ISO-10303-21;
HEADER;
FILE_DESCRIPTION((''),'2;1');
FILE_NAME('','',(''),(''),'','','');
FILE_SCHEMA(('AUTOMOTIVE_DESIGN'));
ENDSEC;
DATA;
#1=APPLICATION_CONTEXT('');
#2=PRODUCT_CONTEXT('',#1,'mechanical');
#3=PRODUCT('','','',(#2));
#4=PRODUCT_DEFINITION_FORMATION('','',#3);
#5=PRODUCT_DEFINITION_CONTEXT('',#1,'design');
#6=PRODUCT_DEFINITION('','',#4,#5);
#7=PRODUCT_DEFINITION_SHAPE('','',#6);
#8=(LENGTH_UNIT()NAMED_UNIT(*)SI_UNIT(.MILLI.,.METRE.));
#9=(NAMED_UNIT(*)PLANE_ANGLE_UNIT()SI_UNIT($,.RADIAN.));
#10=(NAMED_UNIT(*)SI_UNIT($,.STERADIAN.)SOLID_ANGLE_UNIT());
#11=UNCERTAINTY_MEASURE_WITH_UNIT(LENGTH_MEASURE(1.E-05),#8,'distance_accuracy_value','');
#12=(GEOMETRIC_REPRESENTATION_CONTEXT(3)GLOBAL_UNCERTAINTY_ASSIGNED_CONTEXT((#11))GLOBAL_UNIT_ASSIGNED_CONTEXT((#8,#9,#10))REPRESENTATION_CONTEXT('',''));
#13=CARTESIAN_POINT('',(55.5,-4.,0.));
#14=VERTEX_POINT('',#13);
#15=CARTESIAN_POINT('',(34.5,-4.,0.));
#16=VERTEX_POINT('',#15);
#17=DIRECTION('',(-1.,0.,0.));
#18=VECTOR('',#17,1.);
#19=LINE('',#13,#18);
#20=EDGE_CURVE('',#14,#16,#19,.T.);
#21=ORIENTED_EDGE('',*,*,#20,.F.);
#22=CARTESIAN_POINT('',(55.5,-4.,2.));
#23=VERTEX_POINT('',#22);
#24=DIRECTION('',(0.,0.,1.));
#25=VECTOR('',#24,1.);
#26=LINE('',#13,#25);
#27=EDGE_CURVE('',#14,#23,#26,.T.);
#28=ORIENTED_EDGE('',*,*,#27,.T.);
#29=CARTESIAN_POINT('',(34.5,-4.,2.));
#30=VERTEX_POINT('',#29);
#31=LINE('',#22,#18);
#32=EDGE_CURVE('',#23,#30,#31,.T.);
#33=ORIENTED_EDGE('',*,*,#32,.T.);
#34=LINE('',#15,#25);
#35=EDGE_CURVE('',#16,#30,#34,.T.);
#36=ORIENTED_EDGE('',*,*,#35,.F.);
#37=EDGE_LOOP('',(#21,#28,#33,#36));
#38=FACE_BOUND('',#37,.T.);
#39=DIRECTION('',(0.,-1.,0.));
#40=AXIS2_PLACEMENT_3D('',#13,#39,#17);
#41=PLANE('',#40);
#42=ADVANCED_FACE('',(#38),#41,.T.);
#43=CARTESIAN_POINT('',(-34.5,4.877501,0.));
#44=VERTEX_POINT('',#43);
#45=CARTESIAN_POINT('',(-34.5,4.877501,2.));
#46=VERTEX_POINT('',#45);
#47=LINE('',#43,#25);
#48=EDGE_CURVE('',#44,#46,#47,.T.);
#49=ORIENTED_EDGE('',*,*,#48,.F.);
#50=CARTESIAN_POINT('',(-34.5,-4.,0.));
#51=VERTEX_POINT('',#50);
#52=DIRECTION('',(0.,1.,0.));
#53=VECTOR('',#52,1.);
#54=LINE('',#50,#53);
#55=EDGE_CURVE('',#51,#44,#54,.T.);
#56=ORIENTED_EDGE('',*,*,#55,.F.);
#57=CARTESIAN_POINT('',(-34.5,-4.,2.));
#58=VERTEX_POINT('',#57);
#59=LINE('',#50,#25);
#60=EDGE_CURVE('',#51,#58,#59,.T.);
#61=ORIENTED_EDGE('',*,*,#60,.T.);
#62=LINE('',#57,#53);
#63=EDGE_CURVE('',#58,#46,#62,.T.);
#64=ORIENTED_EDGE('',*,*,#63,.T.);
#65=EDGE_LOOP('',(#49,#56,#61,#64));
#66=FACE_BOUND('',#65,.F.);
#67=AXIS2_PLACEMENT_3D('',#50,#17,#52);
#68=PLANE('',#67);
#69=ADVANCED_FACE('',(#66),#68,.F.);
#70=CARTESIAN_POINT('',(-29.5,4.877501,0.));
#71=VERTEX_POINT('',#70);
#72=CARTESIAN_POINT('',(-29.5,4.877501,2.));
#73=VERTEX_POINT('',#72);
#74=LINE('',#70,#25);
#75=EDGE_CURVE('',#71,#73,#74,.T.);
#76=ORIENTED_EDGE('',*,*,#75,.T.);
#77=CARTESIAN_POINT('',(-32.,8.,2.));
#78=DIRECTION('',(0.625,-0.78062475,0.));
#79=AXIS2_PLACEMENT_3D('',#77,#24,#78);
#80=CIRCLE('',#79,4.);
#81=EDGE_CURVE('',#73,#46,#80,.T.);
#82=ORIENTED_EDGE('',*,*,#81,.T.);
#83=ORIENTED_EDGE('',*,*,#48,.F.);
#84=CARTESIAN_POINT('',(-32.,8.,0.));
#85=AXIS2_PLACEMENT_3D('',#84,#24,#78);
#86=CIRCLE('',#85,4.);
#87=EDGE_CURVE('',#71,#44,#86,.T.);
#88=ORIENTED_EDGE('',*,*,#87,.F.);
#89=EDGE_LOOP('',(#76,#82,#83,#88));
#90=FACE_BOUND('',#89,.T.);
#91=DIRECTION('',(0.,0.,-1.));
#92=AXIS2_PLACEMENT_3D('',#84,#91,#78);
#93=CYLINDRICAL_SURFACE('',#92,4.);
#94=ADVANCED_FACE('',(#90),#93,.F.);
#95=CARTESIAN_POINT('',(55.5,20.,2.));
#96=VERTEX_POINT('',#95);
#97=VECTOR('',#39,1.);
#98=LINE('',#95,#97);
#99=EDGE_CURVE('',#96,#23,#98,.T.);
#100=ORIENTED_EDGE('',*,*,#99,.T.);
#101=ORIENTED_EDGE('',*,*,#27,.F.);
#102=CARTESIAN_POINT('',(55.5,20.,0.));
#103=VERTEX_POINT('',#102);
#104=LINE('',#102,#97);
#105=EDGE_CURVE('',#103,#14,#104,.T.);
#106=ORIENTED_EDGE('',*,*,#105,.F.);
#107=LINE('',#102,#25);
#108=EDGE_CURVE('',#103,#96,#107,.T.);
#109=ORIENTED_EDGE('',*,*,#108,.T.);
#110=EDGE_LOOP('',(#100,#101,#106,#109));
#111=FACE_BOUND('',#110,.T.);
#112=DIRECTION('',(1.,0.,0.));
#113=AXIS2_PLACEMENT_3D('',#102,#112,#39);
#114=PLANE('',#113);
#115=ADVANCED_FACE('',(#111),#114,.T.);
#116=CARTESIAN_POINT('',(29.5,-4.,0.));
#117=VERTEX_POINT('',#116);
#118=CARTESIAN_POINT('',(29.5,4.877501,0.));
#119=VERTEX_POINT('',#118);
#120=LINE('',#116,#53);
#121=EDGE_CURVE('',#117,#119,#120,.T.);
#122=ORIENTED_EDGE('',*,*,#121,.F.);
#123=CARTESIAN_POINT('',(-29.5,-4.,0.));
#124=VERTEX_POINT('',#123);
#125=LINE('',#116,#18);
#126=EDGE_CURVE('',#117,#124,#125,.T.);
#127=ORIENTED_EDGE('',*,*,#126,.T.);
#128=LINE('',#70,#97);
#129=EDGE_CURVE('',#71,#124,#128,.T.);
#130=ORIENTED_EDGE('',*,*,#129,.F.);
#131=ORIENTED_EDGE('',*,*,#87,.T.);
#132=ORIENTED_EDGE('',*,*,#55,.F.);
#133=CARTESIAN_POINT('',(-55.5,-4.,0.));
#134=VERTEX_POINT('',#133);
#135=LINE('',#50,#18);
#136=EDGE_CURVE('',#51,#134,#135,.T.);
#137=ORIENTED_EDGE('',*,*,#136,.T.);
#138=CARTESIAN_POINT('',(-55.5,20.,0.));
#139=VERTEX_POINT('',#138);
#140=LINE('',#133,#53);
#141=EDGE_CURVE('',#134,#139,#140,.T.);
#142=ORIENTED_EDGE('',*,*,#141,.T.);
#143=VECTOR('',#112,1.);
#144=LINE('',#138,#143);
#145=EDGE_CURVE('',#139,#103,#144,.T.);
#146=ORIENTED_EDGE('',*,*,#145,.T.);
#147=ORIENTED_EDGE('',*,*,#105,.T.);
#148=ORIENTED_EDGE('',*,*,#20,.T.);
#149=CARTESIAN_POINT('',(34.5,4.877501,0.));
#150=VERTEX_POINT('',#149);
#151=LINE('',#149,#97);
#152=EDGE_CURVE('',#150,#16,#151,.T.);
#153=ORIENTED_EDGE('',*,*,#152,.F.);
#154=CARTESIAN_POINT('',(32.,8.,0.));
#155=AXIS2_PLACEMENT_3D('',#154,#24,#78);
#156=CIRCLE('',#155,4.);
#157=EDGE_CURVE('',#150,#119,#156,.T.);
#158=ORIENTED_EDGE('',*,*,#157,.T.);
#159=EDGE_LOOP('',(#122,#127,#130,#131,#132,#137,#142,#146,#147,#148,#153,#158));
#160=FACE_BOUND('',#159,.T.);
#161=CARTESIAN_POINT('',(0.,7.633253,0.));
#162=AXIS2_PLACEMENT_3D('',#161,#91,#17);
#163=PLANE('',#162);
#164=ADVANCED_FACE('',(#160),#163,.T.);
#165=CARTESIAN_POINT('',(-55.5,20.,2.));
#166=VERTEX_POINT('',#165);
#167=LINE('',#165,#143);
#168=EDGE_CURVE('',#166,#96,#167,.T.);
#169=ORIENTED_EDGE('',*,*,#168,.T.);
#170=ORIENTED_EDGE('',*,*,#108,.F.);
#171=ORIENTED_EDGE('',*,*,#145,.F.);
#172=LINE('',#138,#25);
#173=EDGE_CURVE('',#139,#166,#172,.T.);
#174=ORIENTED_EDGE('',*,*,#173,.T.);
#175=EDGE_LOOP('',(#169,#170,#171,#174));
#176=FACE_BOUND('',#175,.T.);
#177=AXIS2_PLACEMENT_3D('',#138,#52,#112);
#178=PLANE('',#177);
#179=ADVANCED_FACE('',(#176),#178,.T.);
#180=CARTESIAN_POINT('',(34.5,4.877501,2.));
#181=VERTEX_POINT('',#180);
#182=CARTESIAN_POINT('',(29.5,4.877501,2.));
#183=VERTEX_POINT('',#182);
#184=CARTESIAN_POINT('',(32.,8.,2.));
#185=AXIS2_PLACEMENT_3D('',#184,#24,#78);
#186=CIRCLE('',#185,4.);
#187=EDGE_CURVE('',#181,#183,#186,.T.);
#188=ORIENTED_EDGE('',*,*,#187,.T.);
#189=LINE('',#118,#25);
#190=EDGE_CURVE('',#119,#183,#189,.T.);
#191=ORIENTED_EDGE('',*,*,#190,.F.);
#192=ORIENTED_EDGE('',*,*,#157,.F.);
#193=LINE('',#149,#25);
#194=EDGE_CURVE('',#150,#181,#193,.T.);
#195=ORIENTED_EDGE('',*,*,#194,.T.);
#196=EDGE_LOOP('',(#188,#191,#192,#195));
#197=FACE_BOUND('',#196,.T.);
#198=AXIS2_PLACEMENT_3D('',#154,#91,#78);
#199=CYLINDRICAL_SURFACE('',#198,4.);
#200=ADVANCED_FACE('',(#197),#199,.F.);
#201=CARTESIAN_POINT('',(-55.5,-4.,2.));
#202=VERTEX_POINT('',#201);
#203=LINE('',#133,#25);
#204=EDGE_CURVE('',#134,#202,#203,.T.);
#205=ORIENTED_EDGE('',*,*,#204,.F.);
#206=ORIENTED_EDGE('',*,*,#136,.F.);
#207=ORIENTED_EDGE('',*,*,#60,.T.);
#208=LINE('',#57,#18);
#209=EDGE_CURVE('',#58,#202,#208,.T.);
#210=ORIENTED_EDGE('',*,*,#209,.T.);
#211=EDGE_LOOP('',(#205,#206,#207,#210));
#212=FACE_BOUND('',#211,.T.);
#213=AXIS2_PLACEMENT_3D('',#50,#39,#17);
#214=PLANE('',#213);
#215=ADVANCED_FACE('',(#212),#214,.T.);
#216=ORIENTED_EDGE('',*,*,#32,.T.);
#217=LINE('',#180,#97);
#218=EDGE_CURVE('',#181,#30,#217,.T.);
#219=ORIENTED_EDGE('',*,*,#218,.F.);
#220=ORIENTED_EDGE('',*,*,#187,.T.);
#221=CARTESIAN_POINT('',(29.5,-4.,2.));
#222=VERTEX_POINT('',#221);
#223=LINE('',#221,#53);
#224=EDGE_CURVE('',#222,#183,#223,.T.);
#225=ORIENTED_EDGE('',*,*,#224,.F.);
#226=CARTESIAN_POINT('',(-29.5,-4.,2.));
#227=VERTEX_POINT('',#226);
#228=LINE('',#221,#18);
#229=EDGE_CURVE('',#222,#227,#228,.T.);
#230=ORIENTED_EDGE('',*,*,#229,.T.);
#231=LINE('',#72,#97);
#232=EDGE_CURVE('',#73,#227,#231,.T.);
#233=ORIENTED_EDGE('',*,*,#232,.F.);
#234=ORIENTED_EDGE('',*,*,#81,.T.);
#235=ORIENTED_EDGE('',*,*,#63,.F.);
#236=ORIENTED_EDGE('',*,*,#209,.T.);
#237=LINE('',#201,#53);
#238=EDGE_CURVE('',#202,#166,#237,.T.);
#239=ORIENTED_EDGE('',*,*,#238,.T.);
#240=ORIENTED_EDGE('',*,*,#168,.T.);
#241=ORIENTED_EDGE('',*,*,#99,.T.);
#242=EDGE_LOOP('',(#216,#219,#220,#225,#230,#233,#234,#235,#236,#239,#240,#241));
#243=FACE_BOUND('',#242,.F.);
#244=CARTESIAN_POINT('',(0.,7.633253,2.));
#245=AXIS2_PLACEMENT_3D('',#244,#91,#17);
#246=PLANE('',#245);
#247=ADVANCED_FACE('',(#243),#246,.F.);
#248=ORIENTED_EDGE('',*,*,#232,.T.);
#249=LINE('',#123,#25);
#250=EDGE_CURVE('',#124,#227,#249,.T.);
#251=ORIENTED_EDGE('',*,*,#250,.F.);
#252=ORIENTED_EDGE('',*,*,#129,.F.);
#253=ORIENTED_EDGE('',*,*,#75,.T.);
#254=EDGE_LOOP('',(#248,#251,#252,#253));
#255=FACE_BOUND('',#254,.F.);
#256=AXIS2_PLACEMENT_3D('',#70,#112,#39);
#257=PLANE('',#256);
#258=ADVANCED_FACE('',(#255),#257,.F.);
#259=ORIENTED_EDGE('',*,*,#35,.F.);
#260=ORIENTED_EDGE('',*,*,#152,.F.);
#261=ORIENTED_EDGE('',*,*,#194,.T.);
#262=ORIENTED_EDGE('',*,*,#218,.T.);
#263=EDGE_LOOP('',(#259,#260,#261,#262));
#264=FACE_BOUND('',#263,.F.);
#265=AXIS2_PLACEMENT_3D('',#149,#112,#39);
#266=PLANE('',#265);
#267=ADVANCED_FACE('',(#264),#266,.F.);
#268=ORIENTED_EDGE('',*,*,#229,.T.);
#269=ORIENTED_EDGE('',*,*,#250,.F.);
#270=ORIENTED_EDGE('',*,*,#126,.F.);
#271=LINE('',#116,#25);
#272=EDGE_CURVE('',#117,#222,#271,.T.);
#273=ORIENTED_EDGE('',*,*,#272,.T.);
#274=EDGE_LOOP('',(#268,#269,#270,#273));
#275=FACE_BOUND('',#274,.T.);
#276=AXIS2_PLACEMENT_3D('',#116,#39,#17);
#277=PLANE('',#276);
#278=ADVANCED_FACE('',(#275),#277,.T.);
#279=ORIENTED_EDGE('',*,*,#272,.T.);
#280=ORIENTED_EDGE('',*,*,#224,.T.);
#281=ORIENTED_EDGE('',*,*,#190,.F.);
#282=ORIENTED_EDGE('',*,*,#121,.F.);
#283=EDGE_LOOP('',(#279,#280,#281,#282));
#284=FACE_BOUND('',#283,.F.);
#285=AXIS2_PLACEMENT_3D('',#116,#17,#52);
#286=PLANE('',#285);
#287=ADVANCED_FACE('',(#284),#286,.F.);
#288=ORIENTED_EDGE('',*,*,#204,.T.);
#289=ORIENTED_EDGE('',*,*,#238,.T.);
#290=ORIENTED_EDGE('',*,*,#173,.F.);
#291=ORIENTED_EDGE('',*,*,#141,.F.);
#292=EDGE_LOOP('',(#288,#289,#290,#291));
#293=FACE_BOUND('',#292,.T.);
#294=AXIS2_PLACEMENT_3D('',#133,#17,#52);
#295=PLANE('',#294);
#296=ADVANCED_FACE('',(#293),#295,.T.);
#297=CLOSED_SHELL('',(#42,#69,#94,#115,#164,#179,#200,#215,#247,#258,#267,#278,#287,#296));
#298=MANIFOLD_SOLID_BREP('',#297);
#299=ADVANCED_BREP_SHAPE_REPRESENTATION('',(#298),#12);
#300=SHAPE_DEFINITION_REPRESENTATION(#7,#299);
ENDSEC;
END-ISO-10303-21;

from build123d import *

# Parameters (mm, degrees)
PAD_DEPTH = 2


with BuildPart() as part:
    # Sketch → Pad (new body)
    with BuildSketch(Plane.XY):
        with BuildLine():
            Line((-55.5, 20), (55.5, 20))
            Line((55.5, 20), (55.5, -4))
            Line((55.5, -4), (34.5, -4))
            Line((34.5, 4.877501), (34.5, -4))
            ThreePointArc((34.5, 4.877501), (32, 12), (29.5, 4.877501))
            Line((29.5, -4), (29.5, 4.877501))
            Line((29.5, -4), (-29.5, -4))
            Line((-29.5, 4.877501), (-29.5, -4))
            ThreePointArc((-29.5, 4.877501), (-32, 12), (-34.5, 4.877501))
            Line((-34.5, -4), (-34.5, 4.877501))
            Line((-34.5, -4), (-55.5, -4))
            Line((-55.5, -4), (-55.5, 20))
        make_face()
    extrude(amount=PAD_DEPTH)


solid = part.part
